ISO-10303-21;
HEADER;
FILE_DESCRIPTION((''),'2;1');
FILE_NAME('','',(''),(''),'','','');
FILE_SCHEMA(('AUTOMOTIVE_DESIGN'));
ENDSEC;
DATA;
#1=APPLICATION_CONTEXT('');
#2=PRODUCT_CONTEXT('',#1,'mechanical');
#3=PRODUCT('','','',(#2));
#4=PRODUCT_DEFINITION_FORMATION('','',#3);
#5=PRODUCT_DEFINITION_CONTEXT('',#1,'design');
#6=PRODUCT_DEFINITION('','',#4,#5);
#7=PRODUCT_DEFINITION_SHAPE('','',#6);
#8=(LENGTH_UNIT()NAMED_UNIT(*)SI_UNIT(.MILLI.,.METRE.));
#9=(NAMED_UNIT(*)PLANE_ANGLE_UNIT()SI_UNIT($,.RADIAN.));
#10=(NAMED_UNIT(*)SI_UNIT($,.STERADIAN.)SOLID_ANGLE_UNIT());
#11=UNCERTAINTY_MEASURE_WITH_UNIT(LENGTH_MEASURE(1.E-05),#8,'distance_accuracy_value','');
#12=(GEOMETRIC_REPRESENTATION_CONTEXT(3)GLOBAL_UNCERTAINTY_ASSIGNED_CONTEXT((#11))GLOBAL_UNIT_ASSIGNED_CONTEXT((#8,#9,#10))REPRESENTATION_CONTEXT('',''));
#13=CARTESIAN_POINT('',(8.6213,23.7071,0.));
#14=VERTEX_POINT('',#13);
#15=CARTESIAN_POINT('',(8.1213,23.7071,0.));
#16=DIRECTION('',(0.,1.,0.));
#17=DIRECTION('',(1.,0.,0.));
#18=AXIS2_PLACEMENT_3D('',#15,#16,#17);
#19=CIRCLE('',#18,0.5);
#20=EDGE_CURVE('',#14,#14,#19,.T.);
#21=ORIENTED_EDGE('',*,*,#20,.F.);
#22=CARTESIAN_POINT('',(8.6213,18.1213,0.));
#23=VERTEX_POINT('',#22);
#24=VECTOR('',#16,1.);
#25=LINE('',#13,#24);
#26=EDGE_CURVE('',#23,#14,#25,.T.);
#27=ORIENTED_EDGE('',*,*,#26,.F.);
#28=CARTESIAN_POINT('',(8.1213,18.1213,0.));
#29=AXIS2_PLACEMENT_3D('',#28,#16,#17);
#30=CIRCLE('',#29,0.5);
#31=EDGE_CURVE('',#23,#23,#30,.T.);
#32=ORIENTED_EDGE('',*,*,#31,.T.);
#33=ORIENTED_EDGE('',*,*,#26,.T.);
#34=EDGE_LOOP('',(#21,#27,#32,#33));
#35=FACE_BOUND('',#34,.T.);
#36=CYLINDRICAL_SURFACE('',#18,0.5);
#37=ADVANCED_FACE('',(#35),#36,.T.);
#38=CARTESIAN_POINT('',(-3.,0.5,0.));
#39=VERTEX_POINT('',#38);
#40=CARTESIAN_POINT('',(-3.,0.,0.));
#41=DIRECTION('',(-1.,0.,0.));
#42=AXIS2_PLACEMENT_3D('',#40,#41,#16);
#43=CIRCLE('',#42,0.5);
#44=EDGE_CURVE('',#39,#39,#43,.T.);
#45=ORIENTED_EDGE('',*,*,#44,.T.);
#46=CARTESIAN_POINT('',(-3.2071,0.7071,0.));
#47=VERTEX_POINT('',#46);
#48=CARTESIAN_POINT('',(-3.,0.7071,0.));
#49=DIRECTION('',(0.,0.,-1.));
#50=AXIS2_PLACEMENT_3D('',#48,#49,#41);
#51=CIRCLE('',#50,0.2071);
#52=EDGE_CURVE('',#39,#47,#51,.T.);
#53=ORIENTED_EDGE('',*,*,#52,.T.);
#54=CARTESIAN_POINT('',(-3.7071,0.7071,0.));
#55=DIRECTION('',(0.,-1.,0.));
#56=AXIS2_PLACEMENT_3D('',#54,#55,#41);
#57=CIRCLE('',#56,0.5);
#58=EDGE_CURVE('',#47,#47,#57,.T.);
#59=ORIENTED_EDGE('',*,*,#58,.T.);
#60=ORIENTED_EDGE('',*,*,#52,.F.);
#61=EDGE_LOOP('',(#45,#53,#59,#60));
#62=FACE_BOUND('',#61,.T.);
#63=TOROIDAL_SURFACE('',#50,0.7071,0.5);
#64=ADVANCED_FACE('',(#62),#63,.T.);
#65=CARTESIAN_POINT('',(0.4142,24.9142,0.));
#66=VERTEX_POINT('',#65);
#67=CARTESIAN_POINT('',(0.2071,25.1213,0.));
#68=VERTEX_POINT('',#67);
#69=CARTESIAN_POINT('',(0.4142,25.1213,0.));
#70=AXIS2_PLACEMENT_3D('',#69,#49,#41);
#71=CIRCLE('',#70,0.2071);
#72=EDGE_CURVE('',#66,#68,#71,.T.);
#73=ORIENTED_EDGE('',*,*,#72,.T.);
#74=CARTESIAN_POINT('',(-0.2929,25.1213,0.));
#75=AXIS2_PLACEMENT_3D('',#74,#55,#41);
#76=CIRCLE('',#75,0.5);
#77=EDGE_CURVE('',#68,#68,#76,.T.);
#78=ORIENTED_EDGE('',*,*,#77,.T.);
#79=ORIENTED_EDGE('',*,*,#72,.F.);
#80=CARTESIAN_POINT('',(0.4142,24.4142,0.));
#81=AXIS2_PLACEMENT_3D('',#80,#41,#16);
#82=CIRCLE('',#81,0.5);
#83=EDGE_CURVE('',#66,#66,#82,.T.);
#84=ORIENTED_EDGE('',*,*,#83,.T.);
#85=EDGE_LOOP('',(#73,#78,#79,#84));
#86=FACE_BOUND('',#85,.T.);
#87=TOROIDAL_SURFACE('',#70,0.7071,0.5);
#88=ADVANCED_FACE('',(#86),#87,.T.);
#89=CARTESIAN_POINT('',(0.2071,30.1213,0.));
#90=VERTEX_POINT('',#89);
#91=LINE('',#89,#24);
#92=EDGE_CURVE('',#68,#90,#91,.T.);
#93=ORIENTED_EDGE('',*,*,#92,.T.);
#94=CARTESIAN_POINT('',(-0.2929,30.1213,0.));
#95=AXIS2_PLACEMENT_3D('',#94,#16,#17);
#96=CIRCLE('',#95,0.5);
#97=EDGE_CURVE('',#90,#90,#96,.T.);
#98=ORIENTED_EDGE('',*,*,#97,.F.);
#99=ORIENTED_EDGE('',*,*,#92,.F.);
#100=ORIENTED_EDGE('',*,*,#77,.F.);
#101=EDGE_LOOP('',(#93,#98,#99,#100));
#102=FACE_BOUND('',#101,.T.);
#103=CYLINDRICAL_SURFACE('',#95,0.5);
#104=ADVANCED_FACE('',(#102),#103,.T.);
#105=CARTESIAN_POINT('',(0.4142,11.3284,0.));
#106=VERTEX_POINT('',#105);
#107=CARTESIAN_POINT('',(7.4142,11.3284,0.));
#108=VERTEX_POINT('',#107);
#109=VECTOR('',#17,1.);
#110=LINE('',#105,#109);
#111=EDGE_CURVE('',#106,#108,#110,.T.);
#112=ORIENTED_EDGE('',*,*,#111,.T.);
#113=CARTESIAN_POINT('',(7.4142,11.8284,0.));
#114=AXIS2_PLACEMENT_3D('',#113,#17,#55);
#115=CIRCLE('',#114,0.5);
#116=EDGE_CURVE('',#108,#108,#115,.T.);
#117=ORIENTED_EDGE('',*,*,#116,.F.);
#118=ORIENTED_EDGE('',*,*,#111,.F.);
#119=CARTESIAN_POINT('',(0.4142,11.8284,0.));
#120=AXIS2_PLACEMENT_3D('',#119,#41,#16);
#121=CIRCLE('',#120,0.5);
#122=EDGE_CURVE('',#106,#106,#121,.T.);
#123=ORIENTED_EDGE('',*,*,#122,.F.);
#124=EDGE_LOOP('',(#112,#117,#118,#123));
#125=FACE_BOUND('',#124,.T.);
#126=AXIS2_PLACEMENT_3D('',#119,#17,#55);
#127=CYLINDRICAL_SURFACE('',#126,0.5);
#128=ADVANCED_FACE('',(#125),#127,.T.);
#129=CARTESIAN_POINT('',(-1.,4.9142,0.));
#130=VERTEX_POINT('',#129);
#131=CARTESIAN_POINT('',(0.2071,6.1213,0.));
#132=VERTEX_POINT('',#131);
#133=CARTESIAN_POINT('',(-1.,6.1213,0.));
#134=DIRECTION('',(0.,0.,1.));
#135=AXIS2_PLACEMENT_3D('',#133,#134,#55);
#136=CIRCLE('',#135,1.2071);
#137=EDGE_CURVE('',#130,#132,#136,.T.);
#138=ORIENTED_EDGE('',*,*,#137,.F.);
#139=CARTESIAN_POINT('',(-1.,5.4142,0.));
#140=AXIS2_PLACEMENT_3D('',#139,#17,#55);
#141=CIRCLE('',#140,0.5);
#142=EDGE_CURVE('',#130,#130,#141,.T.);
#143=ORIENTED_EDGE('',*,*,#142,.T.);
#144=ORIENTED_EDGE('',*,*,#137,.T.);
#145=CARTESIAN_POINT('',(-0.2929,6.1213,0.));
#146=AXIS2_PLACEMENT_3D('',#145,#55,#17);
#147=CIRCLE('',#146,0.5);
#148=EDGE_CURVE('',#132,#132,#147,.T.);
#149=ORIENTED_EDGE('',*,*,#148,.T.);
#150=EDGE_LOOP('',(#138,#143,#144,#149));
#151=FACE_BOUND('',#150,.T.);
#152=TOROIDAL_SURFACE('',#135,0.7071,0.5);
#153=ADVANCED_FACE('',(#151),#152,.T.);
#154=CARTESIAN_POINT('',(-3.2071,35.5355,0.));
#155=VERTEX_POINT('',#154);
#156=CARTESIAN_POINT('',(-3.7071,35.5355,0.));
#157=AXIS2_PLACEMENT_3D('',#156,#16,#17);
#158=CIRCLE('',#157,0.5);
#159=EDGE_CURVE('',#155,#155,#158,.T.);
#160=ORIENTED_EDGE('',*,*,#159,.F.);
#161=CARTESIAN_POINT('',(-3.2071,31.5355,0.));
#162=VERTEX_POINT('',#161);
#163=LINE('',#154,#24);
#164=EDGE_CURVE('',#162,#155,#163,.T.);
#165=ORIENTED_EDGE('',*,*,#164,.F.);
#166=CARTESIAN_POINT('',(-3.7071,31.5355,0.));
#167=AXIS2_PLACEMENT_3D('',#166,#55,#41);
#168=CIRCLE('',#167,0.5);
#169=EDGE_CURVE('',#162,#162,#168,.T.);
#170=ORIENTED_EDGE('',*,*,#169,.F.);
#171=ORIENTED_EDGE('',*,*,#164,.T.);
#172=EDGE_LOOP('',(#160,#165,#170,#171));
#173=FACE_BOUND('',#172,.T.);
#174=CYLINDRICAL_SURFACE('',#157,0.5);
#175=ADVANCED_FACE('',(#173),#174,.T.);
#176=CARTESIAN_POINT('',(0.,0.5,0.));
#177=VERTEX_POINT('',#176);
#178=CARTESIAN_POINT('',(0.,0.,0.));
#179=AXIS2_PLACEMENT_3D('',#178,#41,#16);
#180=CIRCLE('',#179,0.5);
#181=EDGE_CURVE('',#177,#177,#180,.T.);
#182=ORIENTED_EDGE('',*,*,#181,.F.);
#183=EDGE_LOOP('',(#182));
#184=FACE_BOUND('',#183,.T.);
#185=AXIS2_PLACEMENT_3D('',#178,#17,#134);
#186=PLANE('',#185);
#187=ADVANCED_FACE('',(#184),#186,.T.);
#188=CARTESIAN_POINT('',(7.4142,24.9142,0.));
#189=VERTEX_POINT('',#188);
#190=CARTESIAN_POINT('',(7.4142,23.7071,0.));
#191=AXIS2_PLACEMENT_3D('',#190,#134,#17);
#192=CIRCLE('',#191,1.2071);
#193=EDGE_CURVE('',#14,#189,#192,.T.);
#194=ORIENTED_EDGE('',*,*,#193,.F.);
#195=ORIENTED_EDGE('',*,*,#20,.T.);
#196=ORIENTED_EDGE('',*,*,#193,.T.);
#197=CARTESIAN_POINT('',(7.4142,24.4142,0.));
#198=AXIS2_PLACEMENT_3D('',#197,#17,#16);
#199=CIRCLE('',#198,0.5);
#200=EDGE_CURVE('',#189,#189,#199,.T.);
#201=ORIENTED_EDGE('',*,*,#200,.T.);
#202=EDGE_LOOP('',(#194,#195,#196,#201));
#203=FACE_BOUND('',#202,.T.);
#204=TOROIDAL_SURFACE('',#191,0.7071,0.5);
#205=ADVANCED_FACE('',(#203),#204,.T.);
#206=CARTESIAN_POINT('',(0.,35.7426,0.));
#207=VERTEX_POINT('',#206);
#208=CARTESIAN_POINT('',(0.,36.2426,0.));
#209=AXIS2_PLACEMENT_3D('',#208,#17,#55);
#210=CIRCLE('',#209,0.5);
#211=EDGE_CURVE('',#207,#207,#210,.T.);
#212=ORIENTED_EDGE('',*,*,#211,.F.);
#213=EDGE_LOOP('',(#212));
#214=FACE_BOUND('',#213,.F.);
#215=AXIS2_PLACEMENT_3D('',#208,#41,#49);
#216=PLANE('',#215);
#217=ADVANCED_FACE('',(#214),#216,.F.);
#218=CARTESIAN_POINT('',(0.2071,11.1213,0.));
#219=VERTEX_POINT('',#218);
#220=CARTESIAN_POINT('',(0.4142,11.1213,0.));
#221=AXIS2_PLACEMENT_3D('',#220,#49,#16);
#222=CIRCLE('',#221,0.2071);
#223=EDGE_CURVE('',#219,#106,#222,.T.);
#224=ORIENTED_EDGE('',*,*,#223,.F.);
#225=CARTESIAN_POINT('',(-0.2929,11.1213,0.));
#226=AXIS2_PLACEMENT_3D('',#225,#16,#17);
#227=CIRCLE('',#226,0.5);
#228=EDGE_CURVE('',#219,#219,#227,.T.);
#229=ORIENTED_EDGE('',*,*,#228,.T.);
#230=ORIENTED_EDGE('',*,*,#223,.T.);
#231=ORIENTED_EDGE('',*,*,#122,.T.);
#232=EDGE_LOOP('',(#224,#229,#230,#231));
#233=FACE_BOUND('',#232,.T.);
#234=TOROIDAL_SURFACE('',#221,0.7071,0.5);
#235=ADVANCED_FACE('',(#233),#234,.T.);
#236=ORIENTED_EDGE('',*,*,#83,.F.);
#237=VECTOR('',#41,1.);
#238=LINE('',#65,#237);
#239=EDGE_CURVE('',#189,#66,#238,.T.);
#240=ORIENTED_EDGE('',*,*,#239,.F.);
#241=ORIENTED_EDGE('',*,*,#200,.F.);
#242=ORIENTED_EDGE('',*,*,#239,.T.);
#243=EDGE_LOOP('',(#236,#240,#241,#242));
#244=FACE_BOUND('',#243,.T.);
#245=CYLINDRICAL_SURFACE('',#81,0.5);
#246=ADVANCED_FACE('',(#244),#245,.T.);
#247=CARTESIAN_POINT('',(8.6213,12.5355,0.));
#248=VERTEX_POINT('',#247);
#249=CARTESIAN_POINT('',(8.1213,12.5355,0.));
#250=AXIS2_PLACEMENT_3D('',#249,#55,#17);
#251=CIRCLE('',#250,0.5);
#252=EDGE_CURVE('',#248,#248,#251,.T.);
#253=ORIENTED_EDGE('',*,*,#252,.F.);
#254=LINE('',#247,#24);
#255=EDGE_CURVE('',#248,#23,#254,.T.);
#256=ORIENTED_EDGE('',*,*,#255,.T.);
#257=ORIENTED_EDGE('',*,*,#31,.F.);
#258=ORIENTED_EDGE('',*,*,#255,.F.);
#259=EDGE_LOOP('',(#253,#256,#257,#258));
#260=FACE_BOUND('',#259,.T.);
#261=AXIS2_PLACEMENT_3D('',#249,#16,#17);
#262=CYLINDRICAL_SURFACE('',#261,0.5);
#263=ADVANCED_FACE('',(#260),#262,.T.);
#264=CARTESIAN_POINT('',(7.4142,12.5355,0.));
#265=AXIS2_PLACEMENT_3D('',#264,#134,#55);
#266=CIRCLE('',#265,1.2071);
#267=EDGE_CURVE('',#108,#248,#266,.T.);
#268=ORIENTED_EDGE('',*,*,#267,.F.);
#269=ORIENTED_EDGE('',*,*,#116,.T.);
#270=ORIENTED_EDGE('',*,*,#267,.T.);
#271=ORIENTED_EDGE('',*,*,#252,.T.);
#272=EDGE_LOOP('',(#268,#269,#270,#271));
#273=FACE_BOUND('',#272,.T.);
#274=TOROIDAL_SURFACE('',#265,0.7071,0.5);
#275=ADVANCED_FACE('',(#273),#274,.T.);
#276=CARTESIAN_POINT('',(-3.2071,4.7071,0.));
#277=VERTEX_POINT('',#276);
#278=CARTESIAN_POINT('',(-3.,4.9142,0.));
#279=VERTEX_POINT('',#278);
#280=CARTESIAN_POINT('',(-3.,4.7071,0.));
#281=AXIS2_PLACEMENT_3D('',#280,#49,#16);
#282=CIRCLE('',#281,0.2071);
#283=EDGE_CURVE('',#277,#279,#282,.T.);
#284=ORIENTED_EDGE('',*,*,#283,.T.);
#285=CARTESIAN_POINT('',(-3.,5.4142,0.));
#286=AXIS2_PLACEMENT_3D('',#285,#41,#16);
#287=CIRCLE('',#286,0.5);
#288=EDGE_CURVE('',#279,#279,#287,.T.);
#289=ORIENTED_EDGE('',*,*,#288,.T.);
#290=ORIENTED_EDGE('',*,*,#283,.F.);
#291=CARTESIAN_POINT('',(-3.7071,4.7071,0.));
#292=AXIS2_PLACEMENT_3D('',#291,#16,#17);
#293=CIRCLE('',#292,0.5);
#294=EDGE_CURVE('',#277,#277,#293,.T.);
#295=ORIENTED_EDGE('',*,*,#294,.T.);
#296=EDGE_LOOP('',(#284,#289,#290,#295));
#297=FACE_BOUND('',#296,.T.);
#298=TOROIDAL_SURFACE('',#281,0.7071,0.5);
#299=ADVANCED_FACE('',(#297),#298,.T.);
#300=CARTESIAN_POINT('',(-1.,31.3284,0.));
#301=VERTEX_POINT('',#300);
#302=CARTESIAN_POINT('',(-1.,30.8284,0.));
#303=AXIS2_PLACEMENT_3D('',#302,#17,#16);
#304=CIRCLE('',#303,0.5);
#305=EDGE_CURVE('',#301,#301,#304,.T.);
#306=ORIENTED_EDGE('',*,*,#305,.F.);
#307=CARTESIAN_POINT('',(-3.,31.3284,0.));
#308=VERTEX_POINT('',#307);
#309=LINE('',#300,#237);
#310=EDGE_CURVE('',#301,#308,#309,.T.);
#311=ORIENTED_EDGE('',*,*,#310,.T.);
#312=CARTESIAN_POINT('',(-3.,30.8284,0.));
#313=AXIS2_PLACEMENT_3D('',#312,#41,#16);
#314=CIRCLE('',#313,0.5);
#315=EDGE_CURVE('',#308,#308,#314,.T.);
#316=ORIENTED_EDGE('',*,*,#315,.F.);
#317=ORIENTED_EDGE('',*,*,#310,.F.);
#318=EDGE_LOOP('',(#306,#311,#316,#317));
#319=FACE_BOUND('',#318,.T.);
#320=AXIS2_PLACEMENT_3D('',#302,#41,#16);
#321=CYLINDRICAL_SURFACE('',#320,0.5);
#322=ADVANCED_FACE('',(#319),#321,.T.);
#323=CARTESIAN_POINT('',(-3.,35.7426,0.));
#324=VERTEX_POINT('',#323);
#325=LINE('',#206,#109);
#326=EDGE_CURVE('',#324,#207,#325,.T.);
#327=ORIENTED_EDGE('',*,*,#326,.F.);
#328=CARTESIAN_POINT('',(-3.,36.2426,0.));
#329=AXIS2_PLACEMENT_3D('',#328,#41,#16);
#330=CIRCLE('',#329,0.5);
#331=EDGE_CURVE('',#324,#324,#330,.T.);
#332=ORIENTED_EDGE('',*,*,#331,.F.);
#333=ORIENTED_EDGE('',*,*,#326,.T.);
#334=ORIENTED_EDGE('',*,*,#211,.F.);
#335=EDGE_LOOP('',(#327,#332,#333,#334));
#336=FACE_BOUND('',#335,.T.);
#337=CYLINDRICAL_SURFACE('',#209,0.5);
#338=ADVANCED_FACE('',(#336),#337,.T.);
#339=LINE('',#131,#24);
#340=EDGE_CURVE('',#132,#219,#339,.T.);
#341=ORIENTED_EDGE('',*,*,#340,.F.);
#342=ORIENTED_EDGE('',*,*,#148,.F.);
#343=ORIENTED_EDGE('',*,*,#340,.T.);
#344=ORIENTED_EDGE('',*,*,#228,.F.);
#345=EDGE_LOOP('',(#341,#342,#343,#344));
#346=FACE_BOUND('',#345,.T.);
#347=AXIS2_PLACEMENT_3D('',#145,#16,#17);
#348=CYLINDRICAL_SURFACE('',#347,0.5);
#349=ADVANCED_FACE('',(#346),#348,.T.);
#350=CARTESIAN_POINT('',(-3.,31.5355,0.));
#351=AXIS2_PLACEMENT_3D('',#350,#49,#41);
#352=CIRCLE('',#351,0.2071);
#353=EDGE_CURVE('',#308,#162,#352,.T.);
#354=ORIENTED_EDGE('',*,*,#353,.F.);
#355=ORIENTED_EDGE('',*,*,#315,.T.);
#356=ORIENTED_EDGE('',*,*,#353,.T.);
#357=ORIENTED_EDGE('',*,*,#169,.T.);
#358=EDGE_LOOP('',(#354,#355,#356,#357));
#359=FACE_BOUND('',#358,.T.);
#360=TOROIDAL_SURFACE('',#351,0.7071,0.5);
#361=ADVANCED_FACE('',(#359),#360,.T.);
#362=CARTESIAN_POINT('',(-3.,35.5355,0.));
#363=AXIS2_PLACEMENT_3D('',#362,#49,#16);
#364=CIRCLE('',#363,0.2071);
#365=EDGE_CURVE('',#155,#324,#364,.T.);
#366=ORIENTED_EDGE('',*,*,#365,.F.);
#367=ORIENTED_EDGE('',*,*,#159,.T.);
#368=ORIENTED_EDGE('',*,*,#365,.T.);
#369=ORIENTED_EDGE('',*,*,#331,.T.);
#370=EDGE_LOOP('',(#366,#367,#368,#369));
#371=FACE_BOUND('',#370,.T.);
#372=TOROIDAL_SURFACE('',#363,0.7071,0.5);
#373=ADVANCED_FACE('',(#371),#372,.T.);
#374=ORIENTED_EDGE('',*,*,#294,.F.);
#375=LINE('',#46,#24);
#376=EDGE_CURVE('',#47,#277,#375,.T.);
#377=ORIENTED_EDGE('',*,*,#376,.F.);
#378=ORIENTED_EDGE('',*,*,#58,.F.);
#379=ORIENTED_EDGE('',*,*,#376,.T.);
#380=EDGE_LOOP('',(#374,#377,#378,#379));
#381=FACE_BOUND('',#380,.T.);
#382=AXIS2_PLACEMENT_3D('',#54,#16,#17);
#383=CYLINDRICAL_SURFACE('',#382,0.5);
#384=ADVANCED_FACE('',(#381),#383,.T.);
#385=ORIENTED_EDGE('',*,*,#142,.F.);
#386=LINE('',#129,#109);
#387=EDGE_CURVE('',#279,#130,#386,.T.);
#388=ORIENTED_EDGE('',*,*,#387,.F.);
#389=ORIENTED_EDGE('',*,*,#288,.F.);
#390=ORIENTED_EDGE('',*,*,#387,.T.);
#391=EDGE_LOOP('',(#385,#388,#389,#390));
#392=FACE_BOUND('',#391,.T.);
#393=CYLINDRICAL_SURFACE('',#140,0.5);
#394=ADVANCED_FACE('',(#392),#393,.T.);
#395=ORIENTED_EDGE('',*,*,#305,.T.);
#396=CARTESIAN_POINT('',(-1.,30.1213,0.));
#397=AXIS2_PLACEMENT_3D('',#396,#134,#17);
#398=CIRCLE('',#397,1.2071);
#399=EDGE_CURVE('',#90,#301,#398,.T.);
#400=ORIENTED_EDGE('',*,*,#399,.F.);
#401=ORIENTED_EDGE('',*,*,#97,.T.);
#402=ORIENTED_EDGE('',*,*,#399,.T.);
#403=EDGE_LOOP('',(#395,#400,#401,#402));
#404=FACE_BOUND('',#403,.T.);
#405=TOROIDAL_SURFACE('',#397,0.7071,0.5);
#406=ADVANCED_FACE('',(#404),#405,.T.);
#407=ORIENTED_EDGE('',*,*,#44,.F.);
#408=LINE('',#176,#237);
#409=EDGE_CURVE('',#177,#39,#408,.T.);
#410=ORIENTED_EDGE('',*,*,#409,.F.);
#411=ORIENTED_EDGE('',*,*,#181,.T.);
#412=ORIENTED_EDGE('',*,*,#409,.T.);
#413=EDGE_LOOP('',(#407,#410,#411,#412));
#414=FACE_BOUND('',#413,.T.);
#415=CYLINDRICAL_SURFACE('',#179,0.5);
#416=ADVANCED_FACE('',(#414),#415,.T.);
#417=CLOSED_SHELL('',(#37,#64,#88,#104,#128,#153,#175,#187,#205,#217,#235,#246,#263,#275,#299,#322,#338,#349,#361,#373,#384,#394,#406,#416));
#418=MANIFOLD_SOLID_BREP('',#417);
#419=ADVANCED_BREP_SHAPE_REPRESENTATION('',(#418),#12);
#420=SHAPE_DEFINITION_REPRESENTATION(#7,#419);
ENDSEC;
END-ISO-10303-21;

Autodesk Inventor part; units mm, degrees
ref_plane "YZ Plane" through (0, 0, 0) normal (1, 0, 0) x (0, 1, 0)
ref_plane "XZ Plane" through (0, 0, 0) normal (0, 1, 0) x (-1, 0, 0)
ref_plane "XY Plane" through (0, 0, 0) normal (0, 0, 1) x (1, 0, 0)
sketch "Skizze1" plane through (0, 0, 0) normal (0, 0, 1) x (1, 0, 0)
  line L0 (0, 0) -> (-3, 0)
  arc A0 (-3.7071, 0.7071) -> (-3, 0) centre (-3, 0.7071) ccw
  line L1 (-3, 0) -> (-3.7071, 0.7071) construction
  line L2 (-3, 0) -> (-2, 0) construction
  line L3 (-3.7071, 0.7071) -> (-3.7071, 4.7071)
  arc A1 (-1, 5.4142) -> (-0.2929, 6.1213) centre (-1, 6.1213) ccw
  line L4 (-0.2929, 6.1213) -> (-0.2929, 11.1213)
  arc A2 (0.4142, 11.8284) -> (-0.2929, 11.1213) centre (0.4142, 11.1213) ccw
  line L5 (-0.2929, 11.1213) -> (0.4142, 11.8284) construction
  line L6 (-0.2929, 11.1213) -> (0.7071, 11.1213) construction
  line L7 (0.4142, 11.8284) -> (7.4142, 11.8284)
  arc A3 (7.4142, 11.8284) -> (8.1213, 12.5355) centre (7.4142, 12.5355) ccw
  line L8 (7.4142, 11.8284) -> (8.1213, 12.5355) construction
  line L9 (7.4142, 11.8284) -> (8.4142, 11.8284) construction
  line L10 (8.1213, 12.5355) -> (8.1213, 18.1213)
  line L11 (8.1213, 18.1213) -> (-1.8787, 18.1213) construction
  line L12 (-1, 5.4142) -> (-3, 5.4142)
  arc A4 (-3, 5.4142) -> (-3.7071, 4.7071) centre (-3, 4.7071) ccw
  line L13 (0, 36.2426) -> (-3, 36.2426)
  arc A5 (-3, 36.2426) -> (-3.7071, 35.5355) centre (-3, 35.5355) ccw
  line L14 (-3, 36.2426) -> (-3.7071, 35.5355) construction
  line L15 (-3, 36.2426) -> (-2, 36.2426) construction
  line L16 (-3.7071, 35.5355) -> (-3.7071, 31.5355)
  arc A6 (-0.2929, 30.1213) -> (-1, 30.8284) centre (-1, 30.1213) ccw
  line L17 (-0.2929, 30.1213) -> (-0.2929, 25.1213)
  arc A7 (-0.2929, 25.1213) -> (0.4142, 24.4142) centre (0.4142, 25.1213) ccw
  line L18 (-0.2929, 25.1213) -> (0.4142, 24.4142) construction
  line L19 (-0.2929, 25.1213) -> (0.7071, 25.1213) construction
  line L20 (0.4142, 24.4142) -> (7.4142, 24.4142)
  arc A8 (8.1213, 23.7071) -> (7.4142, 24.4142) centre (7.4142, 23.7071) ccw
  line L21 (7.4142, 24.4142) -> (8.1213, 23.7071) construction
  line L22 (7.4142, 24.4142) -> (8.4142, 24.4142) construction
  line L23 (8.1213, 23.7071) -> (8.1213, 18.1213)
  line L24 (-1, 30.8284) -> (-3, 30.8284)
  arc A9 (-3.7071, 31.5355) -> (-3, 30.8284) centre (-3, 31.5355) ccw
  dimension "d0" = 3
  dimension "d1" = 1
  dimension "d2" = 135
  dimension "d5" = 1
  dimension "d6" = 5
  dimension "d7" = 1
  dimension "d8" = 45
  dimension "d9" = 7
  dimension "d10" = 1
  dimension "d11" = 45
  dimension "d12" = 4
  dimension "d16" = 6.1213
  dimension "d17" = 7
  dimension "d18" = 2
  dimension "d19" = 1
  dimension "d20" = 10
sketch "Skizze2" plane through (0, 0, 0) normal (1, 0, 0) x (0, 1, 0)
  circle A0 centre (0, 0) radius 0.5
  dimension "d21" = 1
sweep "Sweeping1" add profiles "Skizze2" path "Skizze1"
properties part number "SeilspannerDraht" material "Stahl, Kohlenstoff, Federstahl"
